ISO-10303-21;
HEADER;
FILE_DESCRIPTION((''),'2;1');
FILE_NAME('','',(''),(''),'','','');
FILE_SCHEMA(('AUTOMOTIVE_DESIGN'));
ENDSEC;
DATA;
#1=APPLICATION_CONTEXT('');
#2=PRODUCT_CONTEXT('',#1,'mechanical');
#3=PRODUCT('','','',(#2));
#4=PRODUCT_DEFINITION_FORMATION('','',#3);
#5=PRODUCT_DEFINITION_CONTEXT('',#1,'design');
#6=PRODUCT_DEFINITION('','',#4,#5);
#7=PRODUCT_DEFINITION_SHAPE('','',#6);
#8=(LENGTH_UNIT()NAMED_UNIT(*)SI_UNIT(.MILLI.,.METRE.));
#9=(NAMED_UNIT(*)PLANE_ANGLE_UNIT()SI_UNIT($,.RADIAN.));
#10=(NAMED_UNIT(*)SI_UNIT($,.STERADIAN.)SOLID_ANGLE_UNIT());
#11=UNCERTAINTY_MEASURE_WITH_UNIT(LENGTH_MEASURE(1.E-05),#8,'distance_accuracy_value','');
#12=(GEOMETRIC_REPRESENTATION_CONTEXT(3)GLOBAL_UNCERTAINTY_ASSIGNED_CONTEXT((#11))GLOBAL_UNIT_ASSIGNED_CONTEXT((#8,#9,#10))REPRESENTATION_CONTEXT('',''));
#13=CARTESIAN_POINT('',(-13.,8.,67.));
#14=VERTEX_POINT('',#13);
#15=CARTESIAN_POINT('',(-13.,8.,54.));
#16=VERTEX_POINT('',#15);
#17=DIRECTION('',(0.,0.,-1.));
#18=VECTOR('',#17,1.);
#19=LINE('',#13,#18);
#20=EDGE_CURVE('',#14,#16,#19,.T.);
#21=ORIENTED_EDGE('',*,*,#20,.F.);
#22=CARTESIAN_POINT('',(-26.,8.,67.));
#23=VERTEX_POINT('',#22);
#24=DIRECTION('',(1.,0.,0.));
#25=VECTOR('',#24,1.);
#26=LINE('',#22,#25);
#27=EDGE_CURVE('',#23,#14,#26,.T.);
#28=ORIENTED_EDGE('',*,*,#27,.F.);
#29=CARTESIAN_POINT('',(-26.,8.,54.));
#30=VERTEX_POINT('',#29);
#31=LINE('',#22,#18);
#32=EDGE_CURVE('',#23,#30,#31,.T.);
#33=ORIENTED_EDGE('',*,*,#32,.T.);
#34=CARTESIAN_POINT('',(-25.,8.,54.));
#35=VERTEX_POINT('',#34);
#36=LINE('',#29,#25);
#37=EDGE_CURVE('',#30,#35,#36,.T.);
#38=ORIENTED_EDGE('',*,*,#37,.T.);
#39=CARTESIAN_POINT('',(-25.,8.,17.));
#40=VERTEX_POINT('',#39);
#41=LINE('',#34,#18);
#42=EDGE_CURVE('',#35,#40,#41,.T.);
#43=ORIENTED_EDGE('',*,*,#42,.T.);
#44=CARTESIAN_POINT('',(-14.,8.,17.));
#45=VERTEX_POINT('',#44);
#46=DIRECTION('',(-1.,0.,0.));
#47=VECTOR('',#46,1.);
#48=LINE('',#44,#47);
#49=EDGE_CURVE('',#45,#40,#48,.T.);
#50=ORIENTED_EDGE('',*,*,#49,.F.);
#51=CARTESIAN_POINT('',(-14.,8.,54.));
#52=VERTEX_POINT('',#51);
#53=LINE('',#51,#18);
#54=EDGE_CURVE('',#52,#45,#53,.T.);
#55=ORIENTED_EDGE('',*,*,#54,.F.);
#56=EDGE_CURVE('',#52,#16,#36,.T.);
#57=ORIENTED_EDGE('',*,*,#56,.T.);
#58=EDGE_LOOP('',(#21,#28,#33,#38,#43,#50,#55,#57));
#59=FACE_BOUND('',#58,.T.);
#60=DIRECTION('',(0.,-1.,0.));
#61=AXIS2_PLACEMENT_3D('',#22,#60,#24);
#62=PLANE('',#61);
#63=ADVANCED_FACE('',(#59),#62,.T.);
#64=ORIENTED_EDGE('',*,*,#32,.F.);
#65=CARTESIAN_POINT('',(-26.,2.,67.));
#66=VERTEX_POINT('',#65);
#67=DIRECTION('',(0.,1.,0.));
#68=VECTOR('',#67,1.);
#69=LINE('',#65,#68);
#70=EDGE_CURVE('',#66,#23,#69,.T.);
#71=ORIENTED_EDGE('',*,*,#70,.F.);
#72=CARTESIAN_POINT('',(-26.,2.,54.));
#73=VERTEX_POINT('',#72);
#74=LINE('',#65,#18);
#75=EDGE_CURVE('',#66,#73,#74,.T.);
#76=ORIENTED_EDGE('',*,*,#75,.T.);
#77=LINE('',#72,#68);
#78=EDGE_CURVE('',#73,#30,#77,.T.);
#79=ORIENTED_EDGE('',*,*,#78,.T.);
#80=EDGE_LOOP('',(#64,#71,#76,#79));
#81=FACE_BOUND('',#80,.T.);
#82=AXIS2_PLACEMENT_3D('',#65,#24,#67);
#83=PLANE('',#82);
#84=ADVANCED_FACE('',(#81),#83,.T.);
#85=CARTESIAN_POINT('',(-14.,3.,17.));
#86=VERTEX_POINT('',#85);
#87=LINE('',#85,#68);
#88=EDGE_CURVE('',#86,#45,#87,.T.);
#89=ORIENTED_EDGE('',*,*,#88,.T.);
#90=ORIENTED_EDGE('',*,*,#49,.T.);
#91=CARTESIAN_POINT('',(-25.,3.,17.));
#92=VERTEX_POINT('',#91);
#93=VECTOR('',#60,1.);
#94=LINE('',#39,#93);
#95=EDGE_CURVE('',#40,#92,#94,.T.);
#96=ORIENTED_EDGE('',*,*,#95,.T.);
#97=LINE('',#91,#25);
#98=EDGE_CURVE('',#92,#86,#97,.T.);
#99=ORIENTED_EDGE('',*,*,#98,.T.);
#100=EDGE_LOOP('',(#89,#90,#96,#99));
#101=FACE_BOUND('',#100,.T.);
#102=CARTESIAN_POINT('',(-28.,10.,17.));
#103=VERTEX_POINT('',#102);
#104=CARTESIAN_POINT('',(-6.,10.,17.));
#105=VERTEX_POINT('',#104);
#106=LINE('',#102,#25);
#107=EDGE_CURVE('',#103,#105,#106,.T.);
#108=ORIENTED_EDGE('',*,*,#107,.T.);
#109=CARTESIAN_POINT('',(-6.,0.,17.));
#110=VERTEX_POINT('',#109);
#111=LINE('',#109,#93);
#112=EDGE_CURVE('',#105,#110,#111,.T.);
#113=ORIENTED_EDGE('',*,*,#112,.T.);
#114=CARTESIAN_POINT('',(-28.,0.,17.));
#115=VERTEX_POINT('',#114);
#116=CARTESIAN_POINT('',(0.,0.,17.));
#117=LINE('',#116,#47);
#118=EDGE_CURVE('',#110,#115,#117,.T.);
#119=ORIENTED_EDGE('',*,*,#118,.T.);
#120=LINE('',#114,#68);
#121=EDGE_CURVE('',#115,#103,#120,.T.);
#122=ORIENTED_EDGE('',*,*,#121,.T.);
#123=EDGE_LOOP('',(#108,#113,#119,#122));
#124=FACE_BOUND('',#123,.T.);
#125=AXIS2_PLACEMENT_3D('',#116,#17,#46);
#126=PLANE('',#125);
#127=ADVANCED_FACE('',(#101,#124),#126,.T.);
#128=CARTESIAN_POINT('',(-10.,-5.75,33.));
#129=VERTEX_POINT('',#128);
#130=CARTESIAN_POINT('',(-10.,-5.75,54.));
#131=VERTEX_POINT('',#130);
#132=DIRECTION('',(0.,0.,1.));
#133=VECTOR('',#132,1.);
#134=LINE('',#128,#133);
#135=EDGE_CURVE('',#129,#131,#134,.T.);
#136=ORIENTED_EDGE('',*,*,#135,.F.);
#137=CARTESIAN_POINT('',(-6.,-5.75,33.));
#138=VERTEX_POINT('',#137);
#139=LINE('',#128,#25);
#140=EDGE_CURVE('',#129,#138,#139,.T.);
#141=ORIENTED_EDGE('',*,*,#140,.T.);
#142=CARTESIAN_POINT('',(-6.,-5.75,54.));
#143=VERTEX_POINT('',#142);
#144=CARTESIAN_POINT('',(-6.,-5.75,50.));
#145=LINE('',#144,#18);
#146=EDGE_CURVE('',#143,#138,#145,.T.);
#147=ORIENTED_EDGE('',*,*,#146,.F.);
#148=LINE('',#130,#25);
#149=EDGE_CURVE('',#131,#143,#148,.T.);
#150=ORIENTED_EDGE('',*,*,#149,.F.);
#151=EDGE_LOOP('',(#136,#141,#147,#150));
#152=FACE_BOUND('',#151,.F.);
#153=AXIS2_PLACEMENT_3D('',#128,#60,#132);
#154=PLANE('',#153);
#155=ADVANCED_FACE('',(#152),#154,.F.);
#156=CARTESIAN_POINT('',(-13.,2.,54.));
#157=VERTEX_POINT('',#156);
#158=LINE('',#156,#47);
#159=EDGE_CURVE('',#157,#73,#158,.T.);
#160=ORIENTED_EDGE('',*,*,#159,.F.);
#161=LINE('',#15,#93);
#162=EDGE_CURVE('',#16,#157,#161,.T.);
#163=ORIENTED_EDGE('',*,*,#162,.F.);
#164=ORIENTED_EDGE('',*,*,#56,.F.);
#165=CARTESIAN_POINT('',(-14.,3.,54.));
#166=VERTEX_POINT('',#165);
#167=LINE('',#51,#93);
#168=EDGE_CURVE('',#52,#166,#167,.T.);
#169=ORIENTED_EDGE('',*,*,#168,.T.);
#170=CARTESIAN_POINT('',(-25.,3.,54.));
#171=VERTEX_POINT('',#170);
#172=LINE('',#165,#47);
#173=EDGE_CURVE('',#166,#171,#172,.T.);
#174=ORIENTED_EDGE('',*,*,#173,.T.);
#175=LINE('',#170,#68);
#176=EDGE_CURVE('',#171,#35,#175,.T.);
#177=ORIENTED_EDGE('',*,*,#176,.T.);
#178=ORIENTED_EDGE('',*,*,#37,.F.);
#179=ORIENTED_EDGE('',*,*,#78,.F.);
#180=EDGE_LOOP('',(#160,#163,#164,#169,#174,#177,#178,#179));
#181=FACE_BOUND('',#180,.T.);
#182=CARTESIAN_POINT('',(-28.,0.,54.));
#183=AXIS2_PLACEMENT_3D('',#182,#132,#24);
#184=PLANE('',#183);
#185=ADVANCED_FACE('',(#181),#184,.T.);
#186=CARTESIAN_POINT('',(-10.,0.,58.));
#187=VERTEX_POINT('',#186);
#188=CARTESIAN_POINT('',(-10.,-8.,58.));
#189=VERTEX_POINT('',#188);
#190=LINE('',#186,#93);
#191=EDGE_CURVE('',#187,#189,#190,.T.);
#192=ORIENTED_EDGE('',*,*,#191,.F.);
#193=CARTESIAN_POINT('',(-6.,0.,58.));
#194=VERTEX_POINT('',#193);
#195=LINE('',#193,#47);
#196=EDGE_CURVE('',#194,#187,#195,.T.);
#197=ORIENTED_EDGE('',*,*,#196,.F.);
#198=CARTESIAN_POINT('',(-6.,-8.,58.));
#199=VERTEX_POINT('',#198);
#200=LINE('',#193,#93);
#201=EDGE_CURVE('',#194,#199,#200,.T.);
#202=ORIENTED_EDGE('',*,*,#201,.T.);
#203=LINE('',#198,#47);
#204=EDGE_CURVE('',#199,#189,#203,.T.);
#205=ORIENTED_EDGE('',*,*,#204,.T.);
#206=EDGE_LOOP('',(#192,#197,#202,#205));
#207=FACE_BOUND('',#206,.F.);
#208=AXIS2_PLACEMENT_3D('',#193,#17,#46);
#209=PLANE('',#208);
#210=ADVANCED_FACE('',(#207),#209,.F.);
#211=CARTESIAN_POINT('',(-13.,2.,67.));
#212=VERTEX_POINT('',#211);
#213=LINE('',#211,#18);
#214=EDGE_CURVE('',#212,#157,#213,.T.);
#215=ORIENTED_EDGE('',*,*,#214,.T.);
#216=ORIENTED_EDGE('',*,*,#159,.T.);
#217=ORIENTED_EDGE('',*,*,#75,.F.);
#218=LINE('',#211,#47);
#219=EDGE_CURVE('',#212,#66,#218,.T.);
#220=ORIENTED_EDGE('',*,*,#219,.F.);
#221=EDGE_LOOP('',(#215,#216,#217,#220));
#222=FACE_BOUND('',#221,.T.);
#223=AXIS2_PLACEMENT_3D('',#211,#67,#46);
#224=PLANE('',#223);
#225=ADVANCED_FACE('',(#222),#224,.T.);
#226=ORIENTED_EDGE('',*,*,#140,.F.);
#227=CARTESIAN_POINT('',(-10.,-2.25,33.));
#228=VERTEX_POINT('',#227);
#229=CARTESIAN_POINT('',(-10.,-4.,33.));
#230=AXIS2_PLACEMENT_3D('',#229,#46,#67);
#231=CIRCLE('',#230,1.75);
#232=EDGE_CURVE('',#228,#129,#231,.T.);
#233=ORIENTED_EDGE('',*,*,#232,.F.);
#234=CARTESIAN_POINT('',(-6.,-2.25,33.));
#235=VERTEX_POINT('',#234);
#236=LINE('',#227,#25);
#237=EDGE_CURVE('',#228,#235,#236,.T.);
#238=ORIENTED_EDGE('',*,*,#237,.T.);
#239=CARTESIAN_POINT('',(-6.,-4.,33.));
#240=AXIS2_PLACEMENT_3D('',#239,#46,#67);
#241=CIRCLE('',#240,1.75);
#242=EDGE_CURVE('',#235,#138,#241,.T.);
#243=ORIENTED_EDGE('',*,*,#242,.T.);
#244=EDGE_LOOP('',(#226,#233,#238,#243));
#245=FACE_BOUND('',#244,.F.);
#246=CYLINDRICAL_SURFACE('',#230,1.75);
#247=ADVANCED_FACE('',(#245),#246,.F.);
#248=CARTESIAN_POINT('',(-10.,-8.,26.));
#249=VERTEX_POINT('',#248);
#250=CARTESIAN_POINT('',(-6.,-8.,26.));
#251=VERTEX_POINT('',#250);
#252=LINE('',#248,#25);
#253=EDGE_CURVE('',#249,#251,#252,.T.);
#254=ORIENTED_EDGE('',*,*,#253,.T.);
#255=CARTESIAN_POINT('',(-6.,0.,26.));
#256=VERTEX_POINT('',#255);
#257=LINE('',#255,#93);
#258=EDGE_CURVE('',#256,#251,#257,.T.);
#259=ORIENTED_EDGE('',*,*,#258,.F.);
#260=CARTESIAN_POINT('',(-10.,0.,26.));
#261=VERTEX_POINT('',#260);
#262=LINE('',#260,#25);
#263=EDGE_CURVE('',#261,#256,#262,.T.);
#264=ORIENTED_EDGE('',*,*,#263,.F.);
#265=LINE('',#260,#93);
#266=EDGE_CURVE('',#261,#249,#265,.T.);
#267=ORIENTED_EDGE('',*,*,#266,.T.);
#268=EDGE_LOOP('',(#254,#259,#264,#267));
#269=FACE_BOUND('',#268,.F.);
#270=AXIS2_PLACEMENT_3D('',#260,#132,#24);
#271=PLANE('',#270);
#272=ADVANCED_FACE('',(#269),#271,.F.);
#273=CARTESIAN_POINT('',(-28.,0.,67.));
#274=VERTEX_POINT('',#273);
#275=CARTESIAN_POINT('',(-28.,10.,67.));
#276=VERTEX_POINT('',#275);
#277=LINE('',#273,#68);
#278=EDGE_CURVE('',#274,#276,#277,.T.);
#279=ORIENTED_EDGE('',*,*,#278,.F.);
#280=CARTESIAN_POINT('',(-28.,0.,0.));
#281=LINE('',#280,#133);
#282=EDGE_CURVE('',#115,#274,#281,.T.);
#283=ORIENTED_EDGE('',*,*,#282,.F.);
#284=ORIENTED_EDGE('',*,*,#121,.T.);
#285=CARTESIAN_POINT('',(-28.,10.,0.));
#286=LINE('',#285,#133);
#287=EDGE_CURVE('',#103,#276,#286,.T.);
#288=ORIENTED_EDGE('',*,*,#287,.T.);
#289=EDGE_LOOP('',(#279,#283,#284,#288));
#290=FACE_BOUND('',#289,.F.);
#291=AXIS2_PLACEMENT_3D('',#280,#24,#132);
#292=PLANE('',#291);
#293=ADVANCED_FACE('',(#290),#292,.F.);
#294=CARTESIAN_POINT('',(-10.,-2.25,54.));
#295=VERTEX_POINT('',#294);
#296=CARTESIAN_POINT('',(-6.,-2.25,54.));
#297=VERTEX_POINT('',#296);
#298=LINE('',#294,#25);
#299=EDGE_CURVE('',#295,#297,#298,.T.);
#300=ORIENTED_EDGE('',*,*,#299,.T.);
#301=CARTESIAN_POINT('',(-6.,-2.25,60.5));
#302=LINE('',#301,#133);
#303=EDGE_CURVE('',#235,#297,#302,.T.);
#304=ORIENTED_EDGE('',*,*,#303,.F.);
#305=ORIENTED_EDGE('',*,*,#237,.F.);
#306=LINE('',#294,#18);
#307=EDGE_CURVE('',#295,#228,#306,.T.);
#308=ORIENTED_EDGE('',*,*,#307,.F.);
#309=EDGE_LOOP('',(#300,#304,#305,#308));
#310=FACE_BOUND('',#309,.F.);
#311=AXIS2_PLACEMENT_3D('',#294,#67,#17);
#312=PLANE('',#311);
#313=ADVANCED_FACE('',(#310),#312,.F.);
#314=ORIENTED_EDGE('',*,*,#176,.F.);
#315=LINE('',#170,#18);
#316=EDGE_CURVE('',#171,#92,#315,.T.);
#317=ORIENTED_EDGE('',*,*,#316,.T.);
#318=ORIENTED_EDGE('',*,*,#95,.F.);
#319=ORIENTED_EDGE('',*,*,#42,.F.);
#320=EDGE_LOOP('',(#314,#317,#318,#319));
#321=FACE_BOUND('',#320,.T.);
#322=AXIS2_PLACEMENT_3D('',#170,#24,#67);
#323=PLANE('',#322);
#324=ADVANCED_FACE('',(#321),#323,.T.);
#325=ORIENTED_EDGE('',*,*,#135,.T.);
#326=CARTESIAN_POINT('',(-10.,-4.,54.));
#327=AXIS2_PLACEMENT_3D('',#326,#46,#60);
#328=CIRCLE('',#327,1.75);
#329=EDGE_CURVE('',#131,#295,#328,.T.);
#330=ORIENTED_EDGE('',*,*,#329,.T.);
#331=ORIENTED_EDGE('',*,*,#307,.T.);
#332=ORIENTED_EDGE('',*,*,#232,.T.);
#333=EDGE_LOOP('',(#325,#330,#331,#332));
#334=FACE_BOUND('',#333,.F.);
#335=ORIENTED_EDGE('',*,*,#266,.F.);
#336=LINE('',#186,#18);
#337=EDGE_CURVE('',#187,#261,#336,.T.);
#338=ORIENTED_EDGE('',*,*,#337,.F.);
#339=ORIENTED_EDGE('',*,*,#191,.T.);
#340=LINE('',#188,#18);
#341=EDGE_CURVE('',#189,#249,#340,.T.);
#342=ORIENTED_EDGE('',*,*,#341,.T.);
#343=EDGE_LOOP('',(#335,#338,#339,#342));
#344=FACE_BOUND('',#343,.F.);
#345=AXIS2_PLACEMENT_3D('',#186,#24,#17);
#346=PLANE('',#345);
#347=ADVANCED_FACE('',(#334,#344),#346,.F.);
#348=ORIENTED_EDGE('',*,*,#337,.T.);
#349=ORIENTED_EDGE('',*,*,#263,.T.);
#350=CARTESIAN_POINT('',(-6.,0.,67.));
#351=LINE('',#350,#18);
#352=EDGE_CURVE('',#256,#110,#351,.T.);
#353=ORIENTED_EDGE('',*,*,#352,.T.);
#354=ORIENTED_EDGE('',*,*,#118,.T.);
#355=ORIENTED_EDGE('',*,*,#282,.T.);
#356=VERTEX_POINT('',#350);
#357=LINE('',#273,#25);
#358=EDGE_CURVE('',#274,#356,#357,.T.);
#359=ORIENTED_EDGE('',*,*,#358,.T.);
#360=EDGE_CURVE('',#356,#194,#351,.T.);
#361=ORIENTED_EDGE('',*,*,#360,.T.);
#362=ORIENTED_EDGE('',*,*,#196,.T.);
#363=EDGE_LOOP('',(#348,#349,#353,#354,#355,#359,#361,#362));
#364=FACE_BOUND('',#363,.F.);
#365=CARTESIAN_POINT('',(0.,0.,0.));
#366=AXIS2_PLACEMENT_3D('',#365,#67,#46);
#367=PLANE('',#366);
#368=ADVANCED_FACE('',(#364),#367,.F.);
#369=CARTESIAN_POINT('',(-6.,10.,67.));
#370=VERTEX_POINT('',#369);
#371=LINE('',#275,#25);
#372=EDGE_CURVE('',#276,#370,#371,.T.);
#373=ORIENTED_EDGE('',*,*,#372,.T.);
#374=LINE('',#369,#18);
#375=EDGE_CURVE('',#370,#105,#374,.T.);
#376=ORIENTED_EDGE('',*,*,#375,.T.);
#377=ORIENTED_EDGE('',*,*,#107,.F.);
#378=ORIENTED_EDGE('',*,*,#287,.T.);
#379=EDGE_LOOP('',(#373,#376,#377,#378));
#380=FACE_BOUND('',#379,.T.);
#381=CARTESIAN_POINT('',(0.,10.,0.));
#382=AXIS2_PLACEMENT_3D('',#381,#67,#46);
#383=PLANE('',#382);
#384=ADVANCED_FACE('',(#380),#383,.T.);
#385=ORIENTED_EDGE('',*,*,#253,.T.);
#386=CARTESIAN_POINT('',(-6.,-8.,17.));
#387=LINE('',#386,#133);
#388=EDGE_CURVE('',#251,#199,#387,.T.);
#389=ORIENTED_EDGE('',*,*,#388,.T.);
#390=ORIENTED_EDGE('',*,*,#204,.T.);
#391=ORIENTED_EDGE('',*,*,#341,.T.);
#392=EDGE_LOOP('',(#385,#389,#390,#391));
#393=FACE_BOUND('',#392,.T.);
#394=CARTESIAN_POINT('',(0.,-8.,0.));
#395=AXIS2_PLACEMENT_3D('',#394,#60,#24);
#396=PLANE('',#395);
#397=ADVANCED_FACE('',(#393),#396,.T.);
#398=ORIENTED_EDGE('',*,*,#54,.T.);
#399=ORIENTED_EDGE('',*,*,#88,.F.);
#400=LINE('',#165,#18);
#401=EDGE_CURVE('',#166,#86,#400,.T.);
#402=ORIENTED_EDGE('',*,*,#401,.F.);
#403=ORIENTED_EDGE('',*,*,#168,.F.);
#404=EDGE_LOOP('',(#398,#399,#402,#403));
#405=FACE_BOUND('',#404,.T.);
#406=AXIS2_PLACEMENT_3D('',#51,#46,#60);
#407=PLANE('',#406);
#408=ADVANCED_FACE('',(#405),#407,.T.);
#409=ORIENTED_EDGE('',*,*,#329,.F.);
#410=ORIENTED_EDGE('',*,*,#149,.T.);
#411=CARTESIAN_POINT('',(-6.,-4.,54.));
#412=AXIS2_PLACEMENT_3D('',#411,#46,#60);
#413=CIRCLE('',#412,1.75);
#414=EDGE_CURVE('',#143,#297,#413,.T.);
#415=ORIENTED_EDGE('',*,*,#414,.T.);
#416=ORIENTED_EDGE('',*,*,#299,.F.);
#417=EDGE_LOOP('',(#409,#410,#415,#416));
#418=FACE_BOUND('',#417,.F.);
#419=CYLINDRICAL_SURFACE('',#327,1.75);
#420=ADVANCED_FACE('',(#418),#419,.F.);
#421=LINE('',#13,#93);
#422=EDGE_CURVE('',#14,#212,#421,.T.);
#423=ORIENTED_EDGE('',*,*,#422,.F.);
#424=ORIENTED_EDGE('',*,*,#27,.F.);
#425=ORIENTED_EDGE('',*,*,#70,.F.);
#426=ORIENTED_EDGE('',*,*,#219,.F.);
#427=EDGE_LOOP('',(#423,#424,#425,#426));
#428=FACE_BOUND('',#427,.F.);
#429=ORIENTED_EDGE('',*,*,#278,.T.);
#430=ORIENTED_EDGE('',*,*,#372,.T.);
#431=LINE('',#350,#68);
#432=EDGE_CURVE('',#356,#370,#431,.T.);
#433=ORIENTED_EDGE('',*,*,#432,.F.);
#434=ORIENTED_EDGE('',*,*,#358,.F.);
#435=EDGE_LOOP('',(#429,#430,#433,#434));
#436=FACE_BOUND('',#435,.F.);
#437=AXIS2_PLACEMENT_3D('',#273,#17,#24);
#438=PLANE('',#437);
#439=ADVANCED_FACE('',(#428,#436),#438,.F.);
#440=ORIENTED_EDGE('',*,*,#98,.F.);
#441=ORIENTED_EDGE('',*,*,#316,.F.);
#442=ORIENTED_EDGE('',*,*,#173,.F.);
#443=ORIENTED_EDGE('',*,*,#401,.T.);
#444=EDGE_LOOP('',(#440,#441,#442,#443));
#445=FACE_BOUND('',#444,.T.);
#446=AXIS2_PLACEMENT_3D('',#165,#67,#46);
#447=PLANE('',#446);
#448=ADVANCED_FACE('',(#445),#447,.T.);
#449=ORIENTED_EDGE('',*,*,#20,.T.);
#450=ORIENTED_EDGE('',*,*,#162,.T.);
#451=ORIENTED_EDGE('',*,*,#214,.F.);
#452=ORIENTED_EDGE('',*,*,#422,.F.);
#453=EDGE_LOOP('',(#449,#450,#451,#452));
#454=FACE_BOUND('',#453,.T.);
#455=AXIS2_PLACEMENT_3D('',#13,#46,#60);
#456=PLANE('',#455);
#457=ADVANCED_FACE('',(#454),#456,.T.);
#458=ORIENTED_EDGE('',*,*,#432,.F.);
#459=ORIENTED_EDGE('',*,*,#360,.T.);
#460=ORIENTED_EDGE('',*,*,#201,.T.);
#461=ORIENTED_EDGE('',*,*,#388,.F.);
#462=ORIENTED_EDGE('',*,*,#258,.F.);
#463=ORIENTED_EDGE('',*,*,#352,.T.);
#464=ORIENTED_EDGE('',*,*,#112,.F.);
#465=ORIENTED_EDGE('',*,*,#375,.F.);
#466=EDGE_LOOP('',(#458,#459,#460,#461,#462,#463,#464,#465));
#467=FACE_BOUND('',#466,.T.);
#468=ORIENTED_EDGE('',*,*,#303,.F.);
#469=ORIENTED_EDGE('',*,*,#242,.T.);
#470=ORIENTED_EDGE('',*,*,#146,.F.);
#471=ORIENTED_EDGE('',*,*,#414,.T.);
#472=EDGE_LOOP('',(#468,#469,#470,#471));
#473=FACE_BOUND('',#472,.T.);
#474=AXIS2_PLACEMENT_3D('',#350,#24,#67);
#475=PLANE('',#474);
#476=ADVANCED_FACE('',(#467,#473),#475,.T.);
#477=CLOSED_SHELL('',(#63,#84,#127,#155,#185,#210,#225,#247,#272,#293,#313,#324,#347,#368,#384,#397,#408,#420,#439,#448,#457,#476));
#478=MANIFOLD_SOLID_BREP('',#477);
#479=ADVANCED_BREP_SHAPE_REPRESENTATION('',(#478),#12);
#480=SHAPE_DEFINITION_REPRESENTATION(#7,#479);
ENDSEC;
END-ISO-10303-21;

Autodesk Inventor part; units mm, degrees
ref_plane "YZ Plane" through (0, 0, 0) normal (1, 0, 0) x (0, 1, 0)
ref_plane "XZ Plane" through (0, 0, 0) normal (0, 1, 0) x (-1, 0, 0)
ref_plane "XY Plane" through (0, 0, 0) normal (0, 0, 1) x (1, 0, 0)
sketch "Skizze14" plane through (0, 0, 0) normal (0, 1, 0) x (-1, 0, 0)
  line L0 (0, 0) -> (28, 0)
  line L1 (28, 0) -> (28, 67)
  line L2 (28, 67) -> (0, 67)
  line L3 (0, 67) -> (0, 0)
  dimension "d40" = 28
  dimension "d41" = 67
extrude "Extrusion13" add sketch "Skizze14" along normal blind 10
sketch "Skizze15" plane through (-28, 0, 67) normal (0, 0, 1) x (1, 0, 0)
  line L0 (2, 8) -> (15, 8)
  line L1 (15, 8) -> (15, 2)
  line L2 (15, 2) -> (2, 2)
  line L3 (2, 2) -> (2, 8)
  dimension "d44" = 13
  dimension "d45" = 6
extrude "Extrusion14" cut sketch "Skizze15" against normal blind 13
sketch "Skizze16" plane through (-28, 0, 54) normal (0, 0, 1) x (1, 0, 0)
  line L0 (3, 8) -> (14, 8)
  line L1 (14, 8) -> (14, 3)
  line L2 (14, 3) -> (3, 3)
  line L3 (3, 3) -> (3, 8)
  point P0 (28, 0)
extrude "Extrusion15" cut sketch "Skizze16" against normal blind 60
sketch "Skizze21" plane through (0, 0, 0) normal (0, 0, -1) x (-1, 0, 0)
  line L0 (25, 8) -> (25, 3) projected
  line L1 (25, 3) -> (14, 3) projected
  line L2 (14, 3) -> (14, 8) projected
  line L3 (14, 8) -> (25, 8) projected
  line L4 (0, 0) -> (28, 0) projected
  line L5 (28, 0) -> (28, 10) projected
  line L6 (28, 10) -> (0, 10)
  line L7 (0, 10) -> (0, 0)
  line L8 (0, 0) -> (28, 0)
  line L9 (28, 0) -> (28, 10)
extrude "Extrusion20" cut sketch "Skizze21" against normal blind 17
sketch "Skizze23" plane through (-28, 0, 67) normal (0, 0, 1) x (1, 0, 0)
  line L0 (28, 0) -> (28, 10) projected
  line L1 (28, 0) -> (22, 0)
  line L2 (22, 0) -> (22, 10)
  line L3 (22, 10) -> (28, 10)
  line L4 (28, 10) -> (28, 0)
extrude "Extrusion22" cut sketch "Skizze23" against normal blind 60
sketch "Skizze24" plane through (0, 0, 0) normal (0, -1, 0) x (1, 0, 0)
  line L0 (-6, 17) -> (-6, 67) projected
  line L1 (-10, 26) -> (-6, 26)
  line L2 (-6, 26) -> (-6, 58)
  line L3 (-6, 58) -> (-10, 58)
  line L4 (-10, 58) -> (-10, 26)
  point P0 (0, 0)
extrude "Extrusion23" add sketch "Skizze24" along normal blind 8
sketch "Skizze25" plane through (-10, 0, 26) normal (-1, 0, 0) x (0, 0, 1)
  line L0 (0, 0) -> (0, -8) projected
  line L1 (7, -4) -> (28, -4) construction
  line L2 (7, -5.75) -> (28, -5.75)
  line L3 (28, -2.25) -> (7, -2.25)
  arc A0 (7, -2.25) -> (7, -5.75) centre (7, -4) ccw
  arc A1 (28, -5.75) -> (28, -2.25) centre (28, -4) ccw
  point P0 (-26, 0)
  point P1 (17.5, -4)
  dimension "d70" = 3.5
extrude "Extrusion24" cut sketch "Skizze25" against normal blind 12
sketch "Skizze26" plane through (-10, 0, 26) normal (-1, 0, 0) x (0, 0, 1)
  arc A0 (28, -5.75) -> (28, -2.25) centre (28, -4) ccw projected
  line L0 (28, -5.75) -> (7, -5.75) projected
  arc A1 (7, -2.25) -> (7, -5.75) centre (7, -4) ccw projected
  line L1 (7, -2.25) -> (28, -2.25) projected
  line L2 (0, 0) -> (32, 0) projected
  line L3 (0, 0) -> (0, -8) projected
  line L4 (32, -8) -> (0, -8) projected
  line L5 (32, 0) -> (32, -8) projected
  point P0 (-26, 0)
properties part number "OPB732_CASE_BOTTOM"
